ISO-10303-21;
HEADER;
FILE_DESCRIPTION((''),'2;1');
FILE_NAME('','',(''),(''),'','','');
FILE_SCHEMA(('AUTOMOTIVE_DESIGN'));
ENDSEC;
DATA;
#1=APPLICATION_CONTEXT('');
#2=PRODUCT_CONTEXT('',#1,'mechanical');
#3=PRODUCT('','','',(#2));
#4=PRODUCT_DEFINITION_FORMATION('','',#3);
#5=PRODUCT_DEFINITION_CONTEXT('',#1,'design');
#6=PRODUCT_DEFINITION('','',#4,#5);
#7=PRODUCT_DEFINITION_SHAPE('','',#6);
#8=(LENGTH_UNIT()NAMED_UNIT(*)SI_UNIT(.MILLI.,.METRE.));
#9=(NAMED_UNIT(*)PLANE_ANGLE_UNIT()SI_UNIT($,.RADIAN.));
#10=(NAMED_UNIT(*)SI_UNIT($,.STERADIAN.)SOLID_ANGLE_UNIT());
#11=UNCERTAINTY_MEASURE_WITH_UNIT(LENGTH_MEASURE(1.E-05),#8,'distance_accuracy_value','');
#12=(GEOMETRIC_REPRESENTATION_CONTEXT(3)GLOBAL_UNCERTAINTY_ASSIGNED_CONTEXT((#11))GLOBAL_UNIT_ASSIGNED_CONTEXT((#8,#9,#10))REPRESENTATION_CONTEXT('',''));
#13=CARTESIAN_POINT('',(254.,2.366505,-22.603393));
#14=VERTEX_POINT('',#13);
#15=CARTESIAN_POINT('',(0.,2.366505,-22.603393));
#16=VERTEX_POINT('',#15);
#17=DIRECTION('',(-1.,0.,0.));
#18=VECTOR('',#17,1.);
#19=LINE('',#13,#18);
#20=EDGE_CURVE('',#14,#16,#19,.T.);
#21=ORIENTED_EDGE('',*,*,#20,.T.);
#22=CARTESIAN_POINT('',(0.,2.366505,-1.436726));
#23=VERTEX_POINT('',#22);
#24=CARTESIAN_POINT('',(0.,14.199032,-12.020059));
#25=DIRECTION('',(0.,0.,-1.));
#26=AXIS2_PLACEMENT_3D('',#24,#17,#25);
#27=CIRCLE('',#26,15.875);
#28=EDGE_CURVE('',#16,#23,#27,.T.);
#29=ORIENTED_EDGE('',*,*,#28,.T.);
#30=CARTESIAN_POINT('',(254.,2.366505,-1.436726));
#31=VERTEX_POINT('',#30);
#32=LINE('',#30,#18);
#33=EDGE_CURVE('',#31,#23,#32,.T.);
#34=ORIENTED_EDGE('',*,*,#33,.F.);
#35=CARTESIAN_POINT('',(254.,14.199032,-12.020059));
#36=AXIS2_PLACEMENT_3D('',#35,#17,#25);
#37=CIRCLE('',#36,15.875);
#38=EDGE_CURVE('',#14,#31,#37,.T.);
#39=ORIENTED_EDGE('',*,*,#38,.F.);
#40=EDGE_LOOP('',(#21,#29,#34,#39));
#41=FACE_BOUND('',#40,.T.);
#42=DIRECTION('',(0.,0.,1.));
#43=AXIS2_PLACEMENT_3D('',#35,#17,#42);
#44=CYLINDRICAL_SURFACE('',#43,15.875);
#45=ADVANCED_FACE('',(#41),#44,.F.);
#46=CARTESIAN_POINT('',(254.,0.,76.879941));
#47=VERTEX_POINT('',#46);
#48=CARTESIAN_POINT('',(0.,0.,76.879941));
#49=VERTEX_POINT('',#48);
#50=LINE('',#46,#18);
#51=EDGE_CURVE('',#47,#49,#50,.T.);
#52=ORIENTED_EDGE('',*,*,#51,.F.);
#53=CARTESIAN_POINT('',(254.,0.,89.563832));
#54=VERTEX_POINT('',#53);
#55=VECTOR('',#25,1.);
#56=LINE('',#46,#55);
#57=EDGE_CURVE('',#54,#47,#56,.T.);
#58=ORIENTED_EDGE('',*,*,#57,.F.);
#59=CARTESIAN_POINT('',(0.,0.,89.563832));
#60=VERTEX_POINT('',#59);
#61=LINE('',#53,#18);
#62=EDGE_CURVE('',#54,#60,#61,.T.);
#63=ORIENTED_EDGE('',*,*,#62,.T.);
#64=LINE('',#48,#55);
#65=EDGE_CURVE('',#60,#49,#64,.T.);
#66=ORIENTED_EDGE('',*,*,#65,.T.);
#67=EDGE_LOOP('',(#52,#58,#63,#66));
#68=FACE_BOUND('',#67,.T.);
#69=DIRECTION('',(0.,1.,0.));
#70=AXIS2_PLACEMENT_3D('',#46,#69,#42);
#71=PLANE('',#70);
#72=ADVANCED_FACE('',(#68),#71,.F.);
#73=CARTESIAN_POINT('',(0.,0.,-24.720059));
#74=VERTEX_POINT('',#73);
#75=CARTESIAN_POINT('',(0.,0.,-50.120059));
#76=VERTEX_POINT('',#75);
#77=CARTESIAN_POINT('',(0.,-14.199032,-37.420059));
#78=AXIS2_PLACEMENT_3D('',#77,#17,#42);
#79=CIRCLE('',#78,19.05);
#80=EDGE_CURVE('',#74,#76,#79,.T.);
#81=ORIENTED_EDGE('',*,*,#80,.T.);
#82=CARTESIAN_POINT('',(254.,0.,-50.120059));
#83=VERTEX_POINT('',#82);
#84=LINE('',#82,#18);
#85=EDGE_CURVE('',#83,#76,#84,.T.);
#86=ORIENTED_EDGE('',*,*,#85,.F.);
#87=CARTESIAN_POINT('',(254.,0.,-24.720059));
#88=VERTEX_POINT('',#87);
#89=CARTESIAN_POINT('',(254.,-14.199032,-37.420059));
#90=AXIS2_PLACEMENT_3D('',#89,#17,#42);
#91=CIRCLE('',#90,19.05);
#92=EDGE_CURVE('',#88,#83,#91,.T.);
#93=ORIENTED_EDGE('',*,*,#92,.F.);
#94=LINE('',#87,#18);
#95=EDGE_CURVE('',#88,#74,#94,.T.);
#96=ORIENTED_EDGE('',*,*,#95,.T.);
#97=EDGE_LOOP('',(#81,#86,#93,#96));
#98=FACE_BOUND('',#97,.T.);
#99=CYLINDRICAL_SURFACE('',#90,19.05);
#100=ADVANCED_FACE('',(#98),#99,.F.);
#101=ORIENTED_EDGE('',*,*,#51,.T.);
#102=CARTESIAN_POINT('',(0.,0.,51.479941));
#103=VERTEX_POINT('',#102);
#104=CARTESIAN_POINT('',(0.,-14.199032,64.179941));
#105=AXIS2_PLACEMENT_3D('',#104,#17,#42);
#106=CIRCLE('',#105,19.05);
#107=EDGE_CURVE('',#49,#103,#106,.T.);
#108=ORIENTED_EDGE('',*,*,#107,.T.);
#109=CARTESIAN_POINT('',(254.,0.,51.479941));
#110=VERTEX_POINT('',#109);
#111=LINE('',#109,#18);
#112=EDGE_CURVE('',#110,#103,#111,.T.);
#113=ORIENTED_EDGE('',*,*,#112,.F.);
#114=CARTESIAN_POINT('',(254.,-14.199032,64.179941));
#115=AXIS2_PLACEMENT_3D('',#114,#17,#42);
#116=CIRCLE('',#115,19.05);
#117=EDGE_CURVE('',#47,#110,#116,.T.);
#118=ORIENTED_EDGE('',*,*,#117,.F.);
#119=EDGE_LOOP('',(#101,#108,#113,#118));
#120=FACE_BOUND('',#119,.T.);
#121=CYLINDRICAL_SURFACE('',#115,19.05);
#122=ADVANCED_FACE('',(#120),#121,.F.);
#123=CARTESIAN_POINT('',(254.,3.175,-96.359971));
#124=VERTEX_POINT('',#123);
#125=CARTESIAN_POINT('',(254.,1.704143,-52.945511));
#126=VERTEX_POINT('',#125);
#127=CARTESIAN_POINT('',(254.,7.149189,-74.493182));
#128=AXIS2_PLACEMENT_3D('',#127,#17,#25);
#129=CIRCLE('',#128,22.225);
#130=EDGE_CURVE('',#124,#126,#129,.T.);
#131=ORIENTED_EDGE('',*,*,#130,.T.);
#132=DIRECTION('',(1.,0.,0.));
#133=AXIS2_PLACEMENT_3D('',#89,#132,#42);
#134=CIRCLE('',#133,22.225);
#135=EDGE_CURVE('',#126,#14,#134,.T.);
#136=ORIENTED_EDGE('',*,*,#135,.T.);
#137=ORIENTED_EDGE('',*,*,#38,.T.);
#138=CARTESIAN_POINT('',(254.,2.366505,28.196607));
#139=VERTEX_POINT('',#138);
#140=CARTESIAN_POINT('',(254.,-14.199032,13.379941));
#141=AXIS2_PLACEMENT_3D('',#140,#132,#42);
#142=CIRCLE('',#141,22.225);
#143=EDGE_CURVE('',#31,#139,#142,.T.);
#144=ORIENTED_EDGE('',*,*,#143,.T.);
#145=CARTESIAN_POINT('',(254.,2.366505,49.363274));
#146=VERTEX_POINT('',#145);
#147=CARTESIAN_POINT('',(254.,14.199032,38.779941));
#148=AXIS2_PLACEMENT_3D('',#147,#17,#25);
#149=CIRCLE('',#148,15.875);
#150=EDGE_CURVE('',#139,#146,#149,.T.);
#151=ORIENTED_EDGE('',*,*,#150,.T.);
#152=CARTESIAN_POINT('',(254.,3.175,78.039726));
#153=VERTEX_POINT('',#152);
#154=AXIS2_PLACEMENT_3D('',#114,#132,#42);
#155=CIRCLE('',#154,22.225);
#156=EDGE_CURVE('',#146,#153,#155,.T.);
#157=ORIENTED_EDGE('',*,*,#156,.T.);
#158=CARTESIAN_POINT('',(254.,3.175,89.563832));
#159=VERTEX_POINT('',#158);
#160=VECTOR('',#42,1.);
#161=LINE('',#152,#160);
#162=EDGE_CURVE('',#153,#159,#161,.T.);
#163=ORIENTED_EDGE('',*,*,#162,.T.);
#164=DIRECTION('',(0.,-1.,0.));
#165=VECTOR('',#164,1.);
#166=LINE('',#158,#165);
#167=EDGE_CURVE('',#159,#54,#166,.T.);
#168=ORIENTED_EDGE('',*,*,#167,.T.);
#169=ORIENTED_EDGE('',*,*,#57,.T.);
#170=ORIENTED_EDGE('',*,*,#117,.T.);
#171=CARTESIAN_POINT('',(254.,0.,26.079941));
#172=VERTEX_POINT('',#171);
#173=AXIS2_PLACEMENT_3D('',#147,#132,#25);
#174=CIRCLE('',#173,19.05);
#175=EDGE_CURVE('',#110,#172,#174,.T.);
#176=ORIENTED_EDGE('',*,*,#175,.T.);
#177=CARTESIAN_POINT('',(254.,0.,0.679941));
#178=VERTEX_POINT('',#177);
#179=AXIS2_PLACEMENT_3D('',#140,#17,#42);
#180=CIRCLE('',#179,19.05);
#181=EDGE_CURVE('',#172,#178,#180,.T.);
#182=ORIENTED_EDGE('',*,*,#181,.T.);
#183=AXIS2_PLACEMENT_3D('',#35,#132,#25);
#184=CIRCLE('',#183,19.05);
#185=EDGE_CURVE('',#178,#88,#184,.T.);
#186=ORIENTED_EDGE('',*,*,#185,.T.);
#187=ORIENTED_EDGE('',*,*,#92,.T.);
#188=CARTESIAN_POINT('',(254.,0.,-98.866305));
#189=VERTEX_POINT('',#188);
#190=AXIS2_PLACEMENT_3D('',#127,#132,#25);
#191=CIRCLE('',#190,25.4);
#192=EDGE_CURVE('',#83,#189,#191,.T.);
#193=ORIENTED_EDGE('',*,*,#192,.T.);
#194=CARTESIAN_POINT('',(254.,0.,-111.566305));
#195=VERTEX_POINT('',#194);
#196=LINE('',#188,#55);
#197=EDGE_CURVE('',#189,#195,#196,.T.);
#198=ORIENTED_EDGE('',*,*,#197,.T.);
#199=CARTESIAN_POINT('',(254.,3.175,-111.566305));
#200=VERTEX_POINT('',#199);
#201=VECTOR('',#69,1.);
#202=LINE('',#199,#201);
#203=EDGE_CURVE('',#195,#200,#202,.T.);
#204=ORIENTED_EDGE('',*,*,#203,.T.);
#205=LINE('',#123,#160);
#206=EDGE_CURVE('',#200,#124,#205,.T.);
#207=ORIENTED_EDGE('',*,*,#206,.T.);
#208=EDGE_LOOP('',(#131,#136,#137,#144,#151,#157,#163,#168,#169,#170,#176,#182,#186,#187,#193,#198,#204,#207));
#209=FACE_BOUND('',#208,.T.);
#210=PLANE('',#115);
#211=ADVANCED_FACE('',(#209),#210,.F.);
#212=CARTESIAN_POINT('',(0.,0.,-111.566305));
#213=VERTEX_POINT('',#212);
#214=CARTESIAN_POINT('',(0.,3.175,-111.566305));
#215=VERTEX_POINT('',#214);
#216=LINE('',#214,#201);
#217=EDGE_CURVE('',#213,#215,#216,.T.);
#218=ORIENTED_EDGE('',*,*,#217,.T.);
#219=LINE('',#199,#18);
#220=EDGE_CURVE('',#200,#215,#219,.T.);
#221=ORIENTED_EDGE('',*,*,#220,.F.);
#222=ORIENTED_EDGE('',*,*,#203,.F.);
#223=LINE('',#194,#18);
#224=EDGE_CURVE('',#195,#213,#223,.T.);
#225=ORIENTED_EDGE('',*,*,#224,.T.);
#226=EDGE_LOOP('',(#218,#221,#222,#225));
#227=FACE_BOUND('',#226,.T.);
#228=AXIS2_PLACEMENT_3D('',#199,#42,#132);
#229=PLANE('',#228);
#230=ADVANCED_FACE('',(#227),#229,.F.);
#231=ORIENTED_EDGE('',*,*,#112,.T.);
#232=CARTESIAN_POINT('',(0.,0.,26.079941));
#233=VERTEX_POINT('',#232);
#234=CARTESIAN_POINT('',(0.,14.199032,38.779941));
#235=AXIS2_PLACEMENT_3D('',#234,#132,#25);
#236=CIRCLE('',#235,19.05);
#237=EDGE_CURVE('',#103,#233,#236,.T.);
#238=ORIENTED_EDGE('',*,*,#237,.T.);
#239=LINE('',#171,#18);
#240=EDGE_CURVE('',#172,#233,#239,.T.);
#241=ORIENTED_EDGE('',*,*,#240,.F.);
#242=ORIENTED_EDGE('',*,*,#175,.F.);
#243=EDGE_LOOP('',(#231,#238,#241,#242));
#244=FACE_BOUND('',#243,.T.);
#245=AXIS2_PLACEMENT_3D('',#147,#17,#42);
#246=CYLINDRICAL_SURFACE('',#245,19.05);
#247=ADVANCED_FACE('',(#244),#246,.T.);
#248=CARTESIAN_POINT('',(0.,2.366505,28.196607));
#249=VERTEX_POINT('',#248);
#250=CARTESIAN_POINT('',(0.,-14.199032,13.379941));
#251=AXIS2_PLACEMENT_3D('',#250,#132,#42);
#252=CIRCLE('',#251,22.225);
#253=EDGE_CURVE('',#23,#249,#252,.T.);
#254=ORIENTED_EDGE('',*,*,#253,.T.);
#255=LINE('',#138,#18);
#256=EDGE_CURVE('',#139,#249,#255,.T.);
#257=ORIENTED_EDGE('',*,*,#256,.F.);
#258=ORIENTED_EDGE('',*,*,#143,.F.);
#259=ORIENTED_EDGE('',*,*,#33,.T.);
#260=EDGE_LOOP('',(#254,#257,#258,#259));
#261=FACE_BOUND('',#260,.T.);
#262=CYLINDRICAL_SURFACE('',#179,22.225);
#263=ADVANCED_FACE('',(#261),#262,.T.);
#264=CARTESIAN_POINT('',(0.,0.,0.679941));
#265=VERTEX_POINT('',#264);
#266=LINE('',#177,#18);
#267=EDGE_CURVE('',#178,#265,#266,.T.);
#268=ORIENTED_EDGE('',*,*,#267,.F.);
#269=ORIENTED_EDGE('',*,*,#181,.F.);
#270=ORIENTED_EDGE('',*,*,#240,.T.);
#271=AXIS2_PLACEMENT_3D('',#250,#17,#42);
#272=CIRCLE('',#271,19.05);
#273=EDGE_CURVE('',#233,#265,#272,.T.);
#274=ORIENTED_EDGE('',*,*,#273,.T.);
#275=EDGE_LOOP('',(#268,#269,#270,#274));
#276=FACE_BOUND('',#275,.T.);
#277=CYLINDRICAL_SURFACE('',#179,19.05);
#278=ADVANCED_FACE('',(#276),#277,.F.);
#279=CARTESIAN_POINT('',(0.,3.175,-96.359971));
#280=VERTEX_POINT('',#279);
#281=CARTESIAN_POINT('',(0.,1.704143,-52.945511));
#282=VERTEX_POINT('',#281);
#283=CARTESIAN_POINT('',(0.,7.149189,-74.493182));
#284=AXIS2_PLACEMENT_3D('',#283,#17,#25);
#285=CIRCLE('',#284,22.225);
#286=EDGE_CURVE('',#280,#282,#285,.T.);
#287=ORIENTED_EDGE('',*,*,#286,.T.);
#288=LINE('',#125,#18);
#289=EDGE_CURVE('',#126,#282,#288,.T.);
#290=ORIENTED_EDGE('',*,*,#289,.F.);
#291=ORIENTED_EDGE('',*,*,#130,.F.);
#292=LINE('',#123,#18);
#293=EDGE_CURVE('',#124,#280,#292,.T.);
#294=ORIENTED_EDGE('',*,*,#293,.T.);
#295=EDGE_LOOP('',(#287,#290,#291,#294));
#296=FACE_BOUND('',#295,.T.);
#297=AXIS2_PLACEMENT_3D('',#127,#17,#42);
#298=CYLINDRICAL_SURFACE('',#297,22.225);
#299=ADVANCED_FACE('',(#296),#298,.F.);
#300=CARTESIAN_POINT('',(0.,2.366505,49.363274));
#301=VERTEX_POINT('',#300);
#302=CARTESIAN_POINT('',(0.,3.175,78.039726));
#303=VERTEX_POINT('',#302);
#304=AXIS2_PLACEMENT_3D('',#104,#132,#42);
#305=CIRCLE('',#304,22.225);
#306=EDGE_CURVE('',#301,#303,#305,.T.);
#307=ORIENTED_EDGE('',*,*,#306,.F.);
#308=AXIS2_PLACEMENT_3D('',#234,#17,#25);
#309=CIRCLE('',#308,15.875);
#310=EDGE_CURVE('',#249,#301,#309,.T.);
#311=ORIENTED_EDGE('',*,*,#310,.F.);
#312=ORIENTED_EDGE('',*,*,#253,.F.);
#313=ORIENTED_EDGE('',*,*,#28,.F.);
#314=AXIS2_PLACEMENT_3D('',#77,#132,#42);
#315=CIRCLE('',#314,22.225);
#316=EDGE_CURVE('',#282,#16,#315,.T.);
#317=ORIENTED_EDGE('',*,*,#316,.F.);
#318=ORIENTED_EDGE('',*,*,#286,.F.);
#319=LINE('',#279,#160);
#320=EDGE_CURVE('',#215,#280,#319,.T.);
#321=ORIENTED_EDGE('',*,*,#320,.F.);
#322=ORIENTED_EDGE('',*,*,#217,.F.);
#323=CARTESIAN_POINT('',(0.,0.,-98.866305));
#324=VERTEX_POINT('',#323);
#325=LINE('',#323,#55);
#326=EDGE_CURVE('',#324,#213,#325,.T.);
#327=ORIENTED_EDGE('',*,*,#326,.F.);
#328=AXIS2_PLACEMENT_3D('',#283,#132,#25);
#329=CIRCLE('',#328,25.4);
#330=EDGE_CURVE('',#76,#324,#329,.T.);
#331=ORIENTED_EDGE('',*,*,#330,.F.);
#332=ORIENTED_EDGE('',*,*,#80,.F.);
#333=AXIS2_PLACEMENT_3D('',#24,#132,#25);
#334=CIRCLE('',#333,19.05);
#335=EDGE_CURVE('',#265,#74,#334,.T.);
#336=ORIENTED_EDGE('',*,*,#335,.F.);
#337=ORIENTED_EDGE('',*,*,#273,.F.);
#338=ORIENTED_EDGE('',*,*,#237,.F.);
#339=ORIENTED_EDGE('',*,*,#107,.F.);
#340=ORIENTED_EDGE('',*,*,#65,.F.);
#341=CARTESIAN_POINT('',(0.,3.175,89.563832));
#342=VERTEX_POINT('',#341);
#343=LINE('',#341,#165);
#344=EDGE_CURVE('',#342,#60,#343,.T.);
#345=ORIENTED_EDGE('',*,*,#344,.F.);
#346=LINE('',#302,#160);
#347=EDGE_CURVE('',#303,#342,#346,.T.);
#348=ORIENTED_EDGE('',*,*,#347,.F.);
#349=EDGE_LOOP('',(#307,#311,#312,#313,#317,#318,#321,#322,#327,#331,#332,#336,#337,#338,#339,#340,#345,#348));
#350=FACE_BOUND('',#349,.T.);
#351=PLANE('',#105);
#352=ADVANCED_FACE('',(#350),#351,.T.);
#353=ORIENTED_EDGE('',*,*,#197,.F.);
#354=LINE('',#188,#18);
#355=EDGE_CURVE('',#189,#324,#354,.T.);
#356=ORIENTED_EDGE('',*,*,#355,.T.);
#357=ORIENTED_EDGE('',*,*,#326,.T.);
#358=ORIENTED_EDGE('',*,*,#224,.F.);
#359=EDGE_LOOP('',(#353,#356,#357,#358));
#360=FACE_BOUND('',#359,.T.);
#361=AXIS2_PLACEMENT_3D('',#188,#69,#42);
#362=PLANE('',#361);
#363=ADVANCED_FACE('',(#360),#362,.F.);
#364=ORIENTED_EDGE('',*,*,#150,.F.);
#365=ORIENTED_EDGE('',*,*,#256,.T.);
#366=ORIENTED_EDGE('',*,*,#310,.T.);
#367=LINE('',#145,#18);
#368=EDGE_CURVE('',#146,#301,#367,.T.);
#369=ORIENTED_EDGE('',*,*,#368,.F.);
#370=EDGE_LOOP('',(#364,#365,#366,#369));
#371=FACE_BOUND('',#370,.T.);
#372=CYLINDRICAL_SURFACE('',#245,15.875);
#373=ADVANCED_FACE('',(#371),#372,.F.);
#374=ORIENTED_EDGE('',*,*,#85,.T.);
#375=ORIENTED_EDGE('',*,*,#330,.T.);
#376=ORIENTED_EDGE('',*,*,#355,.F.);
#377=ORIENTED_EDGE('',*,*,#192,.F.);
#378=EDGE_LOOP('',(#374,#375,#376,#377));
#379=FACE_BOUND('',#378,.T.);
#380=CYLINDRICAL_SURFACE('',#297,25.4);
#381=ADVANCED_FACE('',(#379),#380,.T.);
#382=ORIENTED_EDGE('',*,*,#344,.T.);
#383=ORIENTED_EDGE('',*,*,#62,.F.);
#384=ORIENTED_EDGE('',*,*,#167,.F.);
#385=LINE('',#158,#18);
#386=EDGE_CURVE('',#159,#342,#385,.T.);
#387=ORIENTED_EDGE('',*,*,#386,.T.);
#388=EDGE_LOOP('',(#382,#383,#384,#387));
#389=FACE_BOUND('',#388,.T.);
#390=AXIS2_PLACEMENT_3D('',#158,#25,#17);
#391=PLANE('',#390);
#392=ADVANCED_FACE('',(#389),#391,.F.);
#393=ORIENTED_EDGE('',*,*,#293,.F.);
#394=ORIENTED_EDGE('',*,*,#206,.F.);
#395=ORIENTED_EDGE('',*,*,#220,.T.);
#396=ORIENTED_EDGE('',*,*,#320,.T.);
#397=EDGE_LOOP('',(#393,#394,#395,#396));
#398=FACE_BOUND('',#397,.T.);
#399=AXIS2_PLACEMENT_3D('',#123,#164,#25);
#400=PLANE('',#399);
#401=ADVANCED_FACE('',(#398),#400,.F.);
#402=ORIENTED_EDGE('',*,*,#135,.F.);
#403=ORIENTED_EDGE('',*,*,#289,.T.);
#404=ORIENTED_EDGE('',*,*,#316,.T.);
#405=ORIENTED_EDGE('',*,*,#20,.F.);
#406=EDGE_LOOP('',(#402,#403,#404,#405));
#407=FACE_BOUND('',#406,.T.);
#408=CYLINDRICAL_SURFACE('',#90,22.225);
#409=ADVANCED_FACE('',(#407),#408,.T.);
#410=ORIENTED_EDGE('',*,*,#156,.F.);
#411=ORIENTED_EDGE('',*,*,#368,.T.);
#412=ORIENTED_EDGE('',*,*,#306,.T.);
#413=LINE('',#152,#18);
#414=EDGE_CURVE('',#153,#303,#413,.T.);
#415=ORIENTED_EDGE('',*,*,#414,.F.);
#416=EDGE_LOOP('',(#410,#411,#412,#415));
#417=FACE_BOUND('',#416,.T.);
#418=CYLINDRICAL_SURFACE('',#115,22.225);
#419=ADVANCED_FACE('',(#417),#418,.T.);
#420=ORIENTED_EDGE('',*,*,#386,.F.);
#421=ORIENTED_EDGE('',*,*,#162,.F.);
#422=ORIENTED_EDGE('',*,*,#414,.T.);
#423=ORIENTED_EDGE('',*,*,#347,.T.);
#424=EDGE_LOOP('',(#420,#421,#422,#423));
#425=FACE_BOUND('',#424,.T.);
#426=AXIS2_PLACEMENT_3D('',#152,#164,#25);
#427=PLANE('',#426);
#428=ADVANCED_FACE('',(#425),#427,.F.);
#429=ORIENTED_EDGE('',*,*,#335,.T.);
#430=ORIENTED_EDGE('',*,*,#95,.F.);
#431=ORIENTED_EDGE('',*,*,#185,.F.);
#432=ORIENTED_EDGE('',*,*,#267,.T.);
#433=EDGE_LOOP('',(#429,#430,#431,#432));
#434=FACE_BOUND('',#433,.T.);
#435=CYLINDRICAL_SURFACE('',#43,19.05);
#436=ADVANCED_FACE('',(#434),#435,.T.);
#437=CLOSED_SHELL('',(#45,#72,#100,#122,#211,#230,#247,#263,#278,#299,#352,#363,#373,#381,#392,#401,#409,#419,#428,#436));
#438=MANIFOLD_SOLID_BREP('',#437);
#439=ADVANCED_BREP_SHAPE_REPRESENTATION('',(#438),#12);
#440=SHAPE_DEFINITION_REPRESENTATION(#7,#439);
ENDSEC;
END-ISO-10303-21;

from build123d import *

# Parameters (mm, degrees)
BOSS_EXTRUDE4_DEPTH = 254


with BuildPart() as part:
    # Sketch1 → Boss-Extrude4 (new body)
    with BuildSketch(Plane(origin=(0, 0, 0), x_dir=(0, 0, -1), z_dir=(1, 0, 0))):
        with BuildLine():
            Line((-76.879940582, 0), (-89.563831565, 0))
            Line((-89.563831565, 0), (-89.563831565, 3.175))
            Line((-89.563831565, 3.175), (-78.039725897, 3.175))
            ThreePointArc((-78.039725897, 3.175), (-63.553584925, 8.017140461), (-49.363273916, 2.366505276))
            ThreePointArc((-49.363273916, 2.366505276), (-38.779940582, -1.675968343), (-28.196607249, 2.366505276))
            ThreePointArc((-28.196607249, 2.366505276), (-13.379940582, 8.025968343), (1.436726084, 2.366505276))
            ThreePointArc((1.436726084, 2.366505276), (12.020059418, -1.675968343), (22.603392751, 2.366505276))
            ThreePointArc((22.603392751, 2.366505276), (37.905111105, 8.020674683), (52.945511479, 1.704142972))
            ThreePointArc((52.945511479, 1.704142972), (75.245720478, -15.063067291), (96.359970712, 3.175))
            Line((96.359970712, 3.175), (111.566304511, 3.175))
            Line((111.566304511, 3.175), (111.566304511, 0))
            Line((111.566304511, 0), (98.866304511, 0))
            ThreePointArc((98.866304511, 0), (74.493181964, -18.250811422), (50.120059418, 0))
            ThreePointArc((50.120059418, 0), (37.420059418, 4.850968343), (24.720059418, 0))
            ThreePointArc((24.720059418, 0), (12.020059418, -4.850968343), (-0.679940582, 0))
            ThreePointArc((-0.679940582, 0), (-13.379940582, 4.850968343), (-26.079940582, 0))
            ThreePointArc((-26.079940582, 0), (-38.779940582, -4.850968343), (-51.479940582, 0))
            ThreePointArc((-51.479940582, 0), (-64.179940582, 4.850968343), (-76.879940582, 0))
        make_face()
    extrude(amount=BOSS_EXTRUDE4_DEPTH)


solid = part.part
